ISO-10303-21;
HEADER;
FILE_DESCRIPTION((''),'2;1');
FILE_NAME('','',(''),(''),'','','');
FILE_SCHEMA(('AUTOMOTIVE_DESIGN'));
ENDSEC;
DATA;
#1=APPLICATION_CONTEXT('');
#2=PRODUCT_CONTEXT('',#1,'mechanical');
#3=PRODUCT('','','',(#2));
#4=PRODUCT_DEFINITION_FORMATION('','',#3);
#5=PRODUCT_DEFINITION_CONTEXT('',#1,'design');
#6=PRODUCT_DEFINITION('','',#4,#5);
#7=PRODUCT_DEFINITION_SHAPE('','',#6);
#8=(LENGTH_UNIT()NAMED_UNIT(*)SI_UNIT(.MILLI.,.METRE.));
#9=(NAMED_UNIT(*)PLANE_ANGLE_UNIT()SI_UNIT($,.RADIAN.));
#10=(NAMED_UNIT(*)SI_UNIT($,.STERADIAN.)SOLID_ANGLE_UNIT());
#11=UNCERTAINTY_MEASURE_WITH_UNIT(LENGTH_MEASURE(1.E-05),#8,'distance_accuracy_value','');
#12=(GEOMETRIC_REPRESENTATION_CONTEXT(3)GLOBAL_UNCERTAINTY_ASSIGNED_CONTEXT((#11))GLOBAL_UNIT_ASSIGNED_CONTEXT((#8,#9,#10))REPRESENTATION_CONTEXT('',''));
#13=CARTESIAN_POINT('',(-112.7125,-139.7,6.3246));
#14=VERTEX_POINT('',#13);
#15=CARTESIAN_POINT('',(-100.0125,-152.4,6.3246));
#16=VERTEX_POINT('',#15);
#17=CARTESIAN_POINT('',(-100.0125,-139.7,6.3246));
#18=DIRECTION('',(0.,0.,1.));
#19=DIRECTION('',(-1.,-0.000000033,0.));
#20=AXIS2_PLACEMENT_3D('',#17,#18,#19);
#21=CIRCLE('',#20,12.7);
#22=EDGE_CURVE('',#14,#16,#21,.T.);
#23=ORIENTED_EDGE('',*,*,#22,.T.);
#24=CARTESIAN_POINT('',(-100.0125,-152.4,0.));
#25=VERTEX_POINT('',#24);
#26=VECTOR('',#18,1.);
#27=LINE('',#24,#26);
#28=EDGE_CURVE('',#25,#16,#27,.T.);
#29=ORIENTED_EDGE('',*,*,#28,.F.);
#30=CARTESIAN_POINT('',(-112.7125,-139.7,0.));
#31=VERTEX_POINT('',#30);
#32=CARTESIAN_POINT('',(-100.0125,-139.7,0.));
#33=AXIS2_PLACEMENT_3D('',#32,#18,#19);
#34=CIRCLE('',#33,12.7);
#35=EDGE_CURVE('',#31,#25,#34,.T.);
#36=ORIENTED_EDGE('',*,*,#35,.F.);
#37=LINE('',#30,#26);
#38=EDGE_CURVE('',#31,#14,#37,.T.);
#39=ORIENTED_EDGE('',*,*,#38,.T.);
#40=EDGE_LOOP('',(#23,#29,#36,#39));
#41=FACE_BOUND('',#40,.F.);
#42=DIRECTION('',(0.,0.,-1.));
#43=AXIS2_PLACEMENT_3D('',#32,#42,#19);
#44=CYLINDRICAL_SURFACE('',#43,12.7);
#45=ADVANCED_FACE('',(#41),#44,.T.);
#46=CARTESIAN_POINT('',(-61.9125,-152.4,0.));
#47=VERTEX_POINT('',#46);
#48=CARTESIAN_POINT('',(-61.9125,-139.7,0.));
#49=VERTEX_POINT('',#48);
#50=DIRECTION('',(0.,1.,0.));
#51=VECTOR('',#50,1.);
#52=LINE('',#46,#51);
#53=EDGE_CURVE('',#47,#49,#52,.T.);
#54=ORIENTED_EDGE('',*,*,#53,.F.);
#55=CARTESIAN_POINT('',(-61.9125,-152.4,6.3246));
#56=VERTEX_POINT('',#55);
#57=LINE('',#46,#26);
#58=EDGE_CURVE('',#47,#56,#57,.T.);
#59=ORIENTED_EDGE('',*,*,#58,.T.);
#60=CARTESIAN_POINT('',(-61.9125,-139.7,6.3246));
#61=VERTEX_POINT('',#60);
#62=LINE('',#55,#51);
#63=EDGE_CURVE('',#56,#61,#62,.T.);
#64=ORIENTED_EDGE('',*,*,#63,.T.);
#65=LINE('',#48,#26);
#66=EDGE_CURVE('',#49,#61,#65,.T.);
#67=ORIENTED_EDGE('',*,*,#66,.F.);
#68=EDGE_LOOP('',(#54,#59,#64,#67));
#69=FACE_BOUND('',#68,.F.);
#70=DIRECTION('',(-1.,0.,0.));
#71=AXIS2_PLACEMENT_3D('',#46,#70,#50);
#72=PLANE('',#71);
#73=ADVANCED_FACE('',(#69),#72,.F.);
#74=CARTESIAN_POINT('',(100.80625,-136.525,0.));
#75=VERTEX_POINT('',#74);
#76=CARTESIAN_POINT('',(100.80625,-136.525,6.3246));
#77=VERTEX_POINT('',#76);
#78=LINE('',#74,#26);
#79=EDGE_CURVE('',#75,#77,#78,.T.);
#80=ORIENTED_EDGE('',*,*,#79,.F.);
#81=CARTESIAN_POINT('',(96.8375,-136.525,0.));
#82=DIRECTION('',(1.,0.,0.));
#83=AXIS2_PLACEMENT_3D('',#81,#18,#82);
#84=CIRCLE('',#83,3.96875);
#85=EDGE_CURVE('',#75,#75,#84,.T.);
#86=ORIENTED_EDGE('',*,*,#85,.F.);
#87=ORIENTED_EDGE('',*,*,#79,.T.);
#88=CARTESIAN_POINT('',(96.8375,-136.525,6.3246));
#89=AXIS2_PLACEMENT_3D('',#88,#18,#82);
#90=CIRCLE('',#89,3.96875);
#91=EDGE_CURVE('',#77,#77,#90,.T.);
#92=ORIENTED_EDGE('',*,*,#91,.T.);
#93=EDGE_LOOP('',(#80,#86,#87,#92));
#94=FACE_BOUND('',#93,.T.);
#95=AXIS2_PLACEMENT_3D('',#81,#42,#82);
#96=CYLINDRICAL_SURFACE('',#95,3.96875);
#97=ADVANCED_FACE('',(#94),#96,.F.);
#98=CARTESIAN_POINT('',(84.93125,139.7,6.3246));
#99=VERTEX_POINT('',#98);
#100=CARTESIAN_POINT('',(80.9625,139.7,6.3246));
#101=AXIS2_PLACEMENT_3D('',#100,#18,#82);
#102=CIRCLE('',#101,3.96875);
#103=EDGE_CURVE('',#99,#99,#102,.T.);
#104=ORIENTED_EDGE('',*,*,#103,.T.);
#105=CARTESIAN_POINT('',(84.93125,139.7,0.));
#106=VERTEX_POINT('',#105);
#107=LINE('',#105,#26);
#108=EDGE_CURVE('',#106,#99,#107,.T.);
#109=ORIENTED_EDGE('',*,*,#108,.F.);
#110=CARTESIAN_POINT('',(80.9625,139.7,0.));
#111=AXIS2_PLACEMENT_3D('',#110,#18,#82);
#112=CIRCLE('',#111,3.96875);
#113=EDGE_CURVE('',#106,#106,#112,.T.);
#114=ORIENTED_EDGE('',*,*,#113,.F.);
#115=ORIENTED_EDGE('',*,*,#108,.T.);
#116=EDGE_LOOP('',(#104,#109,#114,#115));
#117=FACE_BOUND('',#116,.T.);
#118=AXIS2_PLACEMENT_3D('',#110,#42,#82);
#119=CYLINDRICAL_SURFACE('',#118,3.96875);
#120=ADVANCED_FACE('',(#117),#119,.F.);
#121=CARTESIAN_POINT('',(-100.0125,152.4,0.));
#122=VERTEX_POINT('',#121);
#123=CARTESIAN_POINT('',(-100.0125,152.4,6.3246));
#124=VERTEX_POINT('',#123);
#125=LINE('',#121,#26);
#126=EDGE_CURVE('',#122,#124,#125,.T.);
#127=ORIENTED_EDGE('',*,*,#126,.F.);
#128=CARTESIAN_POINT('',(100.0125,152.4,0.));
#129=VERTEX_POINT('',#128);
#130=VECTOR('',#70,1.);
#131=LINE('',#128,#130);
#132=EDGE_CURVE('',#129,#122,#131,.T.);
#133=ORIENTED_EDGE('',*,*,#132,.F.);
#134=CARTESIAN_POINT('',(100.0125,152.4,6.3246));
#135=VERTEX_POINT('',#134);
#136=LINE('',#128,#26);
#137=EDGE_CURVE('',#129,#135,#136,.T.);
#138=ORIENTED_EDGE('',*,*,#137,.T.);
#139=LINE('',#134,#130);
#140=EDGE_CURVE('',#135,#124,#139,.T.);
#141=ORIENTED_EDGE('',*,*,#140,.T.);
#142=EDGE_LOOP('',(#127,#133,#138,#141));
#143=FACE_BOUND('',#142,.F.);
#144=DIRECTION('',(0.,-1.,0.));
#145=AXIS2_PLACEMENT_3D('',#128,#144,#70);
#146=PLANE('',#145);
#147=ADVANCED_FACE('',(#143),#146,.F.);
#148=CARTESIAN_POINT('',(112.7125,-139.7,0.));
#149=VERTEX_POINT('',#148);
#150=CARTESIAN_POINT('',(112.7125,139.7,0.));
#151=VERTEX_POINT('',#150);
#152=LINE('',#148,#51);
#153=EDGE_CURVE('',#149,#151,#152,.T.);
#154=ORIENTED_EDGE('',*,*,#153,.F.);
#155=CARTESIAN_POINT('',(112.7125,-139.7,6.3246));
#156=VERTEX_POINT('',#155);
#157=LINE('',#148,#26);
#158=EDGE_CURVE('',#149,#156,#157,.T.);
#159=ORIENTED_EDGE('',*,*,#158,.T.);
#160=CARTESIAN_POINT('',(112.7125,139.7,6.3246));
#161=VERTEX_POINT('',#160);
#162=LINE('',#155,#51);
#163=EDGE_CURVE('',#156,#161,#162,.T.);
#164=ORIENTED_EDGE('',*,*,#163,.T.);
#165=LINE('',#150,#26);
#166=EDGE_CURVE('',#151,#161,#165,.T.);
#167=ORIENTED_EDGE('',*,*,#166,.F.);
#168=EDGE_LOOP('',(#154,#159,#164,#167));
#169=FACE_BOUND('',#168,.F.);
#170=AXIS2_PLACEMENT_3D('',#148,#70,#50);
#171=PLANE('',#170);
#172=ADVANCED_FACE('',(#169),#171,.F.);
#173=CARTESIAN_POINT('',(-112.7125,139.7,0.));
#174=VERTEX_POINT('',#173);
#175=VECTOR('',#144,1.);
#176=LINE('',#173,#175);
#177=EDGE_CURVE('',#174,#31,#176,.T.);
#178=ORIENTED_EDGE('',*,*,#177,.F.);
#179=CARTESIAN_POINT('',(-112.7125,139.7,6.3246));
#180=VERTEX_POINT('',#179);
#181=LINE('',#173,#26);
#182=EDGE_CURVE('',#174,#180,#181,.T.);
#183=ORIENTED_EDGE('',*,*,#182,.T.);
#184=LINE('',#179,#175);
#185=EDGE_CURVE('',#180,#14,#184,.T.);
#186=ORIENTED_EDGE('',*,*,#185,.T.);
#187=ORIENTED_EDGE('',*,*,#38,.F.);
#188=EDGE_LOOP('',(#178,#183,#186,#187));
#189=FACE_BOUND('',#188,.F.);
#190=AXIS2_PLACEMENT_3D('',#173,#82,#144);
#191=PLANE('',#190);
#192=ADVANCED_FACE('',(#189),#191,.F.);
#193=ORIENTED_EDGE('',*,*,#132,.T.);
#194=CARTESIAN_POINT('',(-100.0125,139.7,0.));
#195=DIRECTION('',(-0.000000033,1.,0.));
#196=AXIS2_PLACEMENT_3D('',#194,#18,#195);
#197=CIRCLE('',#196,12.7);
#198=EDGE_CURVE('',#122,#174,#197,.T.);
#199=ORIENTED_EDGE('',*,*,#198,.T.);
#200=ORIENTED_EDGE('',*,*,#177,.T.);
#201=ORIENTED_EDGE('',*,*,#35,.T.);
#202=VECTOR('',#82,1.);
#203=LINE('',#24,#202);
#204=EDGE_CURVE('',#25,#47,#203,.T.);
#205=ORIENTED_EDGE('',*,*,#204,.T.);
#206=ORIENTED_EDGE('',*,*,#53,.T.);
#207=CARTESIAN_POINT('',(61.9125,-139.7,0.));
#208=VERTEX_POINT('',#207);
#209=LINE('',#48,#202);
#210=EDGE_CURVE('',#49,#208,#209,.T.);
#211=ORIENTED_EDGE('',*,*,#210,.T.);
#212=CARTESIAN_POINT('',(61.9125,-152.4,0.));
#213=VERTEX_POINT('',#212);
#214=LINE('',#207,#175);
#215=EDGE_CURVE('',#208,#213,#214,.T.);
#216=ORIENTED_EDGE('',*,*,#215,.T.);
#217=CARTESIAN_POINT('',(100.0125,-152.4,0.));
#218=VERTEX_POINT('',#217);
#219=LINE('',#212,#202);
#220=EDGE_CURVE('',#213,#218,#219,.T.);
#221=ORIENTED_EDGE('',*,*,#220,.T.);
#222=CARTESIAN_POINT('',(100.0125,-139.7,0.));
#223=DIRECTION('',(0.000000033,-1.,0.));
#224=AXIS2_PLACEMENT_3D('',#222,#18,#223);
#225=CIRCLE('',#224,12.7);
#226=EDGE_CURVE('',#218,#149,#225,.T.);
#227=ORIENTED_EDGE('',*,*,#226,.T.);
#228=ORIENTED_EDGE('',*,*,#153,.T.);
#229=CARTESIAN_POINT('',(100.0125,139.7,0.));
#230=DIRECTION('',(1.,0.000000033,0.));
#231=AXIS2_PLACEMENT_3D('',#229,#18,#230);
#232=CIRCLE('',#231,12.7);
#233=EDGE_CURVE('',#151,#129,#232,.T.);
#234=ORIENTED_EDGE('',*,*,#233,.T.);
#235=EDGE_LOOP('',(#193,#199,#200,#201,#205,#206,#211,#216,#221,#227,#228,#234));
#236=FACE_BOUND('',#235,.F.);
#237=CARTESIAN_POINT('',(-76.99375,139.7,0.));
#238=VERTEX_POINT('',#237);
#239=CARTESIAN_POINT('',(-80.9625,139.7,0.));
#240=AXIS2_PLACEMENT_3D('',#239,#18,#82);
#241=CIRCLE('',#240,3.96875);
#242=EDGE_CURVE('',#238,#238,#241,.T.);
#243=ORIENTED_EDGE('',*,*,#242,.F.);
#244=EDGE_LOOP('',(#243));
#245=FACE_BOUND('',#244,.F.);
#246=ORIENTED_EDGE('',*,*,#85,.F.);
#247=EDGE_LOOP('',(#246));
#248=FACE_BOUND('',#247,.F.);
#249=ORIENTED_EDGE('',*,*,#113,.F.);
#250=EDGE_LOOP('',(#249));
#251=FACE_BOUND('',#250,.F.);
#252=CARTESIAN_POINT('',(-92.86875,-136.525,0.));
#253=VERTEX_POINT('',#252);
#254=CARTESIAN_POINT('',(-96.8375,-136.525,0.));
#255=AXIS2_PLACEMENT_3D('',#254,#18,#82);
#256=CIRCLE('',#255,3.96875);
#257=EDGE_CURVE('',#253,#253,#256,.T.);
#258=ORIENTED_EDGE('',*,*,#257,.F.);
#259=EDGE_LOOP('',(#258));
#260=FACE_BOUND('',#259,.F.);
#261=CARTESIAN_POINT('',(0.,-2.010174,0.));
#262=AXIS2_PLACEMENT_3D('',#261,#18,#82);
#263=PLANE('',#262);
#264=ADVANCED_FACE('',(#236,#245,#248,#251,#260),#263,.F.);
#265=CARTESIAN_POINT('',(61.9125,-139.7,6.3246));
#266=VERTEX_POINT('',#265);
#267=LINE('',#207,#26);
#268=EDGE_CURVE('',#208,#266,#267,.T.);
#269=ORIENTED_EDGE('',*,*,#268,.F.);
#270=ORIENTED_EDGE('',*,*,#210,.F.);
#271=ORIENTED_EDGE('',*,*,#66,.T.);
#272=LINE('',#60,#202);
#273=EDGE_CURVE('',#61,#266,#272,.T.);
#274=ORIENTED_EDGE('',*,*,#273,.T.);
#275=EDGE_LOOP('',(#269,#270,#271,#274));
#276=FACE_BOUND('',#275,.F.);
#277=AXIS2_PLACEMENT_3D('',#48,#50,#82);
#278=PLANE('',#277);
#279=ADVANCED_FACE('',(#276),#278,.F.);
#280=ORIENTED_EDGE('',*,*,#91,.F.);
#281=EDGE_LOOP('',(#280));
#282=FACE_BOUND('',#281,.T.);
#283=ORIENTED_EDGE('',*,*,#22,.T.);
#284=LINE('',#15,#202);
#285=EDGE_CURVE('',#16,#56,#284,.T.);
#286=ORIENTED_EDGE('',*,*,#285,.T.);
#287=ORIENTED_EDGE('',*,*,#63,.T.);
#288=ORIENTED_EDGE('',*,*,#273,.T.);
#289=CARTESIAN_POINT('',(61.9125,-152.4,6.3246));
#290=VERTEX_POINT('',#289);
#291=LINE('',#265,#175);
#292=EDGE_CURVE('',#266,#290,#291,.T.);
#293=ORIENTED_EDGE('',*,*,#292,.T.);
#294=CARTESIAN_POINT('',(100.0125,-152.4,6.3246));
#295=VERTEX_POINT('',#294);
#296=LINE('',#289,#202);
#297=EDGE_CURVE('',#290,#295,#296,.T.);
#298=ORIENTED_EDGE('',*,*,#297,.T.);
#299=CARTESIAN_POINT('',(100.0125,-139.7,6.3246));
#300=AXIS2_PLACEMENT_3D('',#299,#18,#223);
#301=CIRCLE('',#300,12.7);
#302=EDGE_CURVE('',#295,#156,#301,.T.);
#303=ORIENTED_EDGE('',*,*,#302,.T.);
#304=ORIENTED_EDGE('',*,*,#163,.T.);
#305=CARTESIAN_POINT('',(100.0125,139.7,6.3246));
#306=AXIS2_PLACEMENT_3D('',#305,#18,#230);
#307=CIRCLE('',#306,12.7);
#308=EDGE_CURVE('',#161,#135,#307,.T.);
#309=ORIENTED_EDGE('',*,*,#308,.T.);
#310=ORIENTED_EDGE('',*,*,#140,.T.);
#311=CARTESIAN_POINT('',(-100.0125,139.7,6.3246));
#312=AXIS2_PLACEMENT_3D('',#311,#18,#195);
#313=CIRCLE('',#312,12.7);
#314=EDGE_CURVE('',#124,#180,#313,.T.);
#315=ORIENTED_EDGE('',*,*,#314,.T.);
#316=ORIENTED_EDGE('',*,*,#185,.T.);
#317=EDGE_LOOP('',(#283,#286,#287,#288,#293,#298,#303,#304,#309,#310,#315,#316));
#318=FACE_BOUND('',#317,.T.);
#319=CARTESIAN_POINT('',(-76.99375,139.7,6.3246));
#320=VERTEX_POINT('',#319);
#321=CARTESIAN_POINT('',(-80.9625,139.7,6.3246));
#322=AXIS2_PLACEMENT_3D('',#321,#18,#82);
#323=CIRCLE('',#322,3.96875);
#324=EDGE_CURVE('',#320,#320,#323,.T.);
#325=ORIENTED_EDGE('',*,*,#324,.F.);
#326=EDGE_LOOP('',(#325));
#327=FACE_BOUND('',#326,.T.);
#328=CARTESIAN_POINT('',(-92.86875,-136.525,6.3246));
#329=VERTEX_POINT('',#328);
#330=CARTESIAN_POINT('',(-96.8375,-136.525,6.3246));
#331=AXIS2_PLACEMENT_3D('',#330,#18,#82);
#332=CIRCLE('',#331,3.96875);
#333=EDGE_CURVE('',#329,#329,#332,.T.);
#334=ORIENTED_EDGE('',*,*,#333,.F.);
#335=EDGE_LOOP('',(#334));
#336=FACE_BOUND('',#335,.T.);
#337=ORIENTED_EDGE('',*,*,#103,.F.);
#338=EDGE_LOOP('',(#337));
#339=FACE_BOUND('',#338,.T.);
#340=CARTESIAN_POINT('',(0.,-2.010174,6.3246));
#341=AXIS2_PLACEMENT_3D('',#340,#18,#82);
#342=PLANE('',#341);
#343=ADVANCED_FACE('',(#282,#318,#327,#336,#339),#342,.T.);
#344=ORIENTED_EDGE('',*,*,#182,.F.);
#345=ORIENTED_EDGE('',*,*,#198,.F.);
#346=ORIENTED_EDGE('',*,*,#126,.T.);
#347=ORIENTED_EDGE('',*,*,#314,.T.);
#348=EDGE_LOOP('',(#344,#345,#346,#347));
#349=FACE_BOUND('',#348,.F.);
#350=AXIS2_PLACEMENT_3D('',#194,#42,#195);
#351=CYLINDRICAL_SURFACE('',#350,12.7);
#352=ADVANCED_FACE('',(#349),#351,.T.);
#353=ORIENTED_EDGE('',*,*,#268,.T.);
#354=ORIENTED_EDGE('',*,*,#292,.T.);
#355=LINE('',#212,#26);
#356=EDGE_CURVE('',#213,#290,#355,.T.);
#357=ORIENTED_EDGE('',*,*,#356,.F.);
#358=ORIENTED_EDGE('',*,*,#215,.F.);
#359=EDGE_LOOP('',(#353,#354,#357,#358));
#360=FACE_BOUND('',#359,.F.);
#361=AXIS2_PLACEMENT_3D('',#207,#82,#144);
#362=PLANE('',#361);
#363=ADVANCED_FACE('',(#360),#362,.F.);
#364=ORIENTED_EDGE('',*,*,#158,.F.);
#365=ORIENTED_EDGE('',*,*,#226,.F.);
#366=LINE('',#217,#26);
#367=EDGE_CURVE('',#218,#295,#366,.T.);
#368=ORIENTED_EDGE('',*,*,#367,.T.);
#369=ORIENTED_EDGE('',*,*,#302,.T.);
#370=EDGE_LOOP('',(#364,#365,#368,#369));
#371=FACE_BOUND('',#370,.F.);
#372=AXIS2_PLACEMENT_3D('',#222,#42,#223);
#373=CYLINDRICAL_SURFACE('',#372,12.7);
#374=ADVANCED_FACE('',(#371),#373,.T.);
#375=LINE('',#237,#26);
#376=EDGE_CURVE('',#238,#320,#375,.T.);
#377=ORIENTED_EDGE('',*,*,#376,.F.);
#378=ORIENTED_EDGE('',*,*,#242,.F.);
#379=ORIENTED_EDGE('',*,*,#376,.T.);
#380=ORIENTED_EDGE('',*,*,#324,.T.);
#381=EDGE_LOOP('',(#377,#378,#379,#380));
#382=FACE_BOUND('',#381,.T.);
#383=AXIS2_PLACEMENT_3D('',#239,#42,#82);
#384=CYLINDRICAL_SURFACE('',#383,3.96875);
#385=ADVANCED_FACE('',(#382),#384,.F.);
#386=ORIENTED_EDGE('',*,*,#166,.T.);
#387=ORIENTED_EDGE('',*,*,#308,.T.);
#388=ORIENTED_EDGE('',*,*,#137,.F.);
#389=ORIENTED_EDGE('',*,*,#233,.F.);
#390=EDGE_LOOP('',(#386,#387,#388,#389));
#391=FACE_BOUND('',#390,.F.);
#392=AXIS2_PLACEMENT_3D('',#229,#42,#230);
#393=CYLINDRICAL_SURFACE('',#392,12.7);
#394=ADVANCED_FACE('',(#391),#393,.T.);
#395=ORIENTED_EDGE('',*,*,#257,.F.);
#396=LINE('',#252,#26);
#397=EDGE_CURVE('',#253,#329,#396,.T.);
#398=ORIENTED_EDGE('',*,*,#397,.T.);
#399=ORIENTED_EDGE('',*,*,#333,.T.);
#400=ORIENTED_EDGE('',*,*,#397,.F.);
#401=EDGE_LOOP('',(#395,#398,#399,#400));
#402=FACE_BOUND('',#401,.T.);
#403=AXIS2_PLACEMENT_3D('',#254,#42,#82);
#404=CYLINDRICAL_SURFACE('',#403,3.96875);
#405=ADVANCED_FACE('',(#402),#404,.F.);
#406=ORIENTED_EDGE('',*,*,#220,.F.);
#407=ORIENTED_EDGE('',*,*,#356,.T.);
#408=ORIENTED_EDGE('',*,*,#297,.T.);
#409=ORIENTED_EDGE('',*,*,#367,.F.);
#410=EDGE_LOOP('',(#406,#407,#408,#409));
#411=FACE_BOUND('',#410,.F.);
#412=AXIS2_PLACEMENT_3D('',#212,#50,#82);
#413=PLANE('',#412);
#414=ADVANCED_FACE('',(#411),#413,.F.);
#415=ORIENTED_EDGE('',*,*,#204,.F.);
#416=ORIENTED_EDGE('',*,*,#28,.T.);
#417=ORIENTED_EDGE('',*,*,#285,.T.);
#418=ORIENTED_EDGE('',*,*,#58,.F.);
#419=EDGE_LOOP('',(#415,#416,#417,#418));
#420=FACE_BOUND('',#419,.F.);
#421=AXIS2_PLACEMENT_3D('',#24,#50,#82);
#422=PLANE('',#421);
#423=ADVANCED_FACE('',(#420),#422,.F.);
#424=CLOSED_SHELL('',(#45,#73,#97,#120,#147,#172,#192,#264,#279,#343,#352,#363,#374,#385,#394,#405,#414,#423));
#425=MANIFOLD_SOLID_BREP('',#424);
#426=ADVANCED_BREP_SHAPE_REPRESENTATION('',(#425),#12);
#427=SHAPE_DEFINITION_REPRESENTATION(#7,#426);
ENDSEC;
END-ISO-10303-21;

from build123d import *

# Parameters (mm, degrees)
F0_R     = 3.96875
F1_DEPTH = 6.3246


with BuildPart() as f1:
    # F0 (on Top) → F1 (new body)
    with BuildSketch(Plane.XY):
        with BuildLine():
            Line((61.9125, -152.4), (100.0125, -152.4))
            ThreePointArc((100.0125, -152.4), (108.992756, -148.680256), (112.7125, -139.7))
            Line((112.7125, -139.7), (112.7125, 139.7))
            ThreePointArc((112.7125, 139.7), (108.992756, 148.680256), (100.0125, 152.4))
            Line((100.0125, 152.4), (-100.0125, 152.4))
            ThreePointArc((-100.0125, 152.4), (-108.992756, 148.680256), (-112.7125, 139.7))
            Line((-112.7125, 139.7), (-112.7125, -139.7))
            ThreePointArc((-112.7125, -139.7), (-108.992756, -148.680256), (-100.0125, -152.4))
            Line((-100.0125, -152.4), (-61.9125, -152.4))
            Line((-61.9125, -152.4), (-61.9125, -139.7))
            Line((-61.9125, -139.7), (61.9125, -139.7))
            Line((61.9125, -139.7), (61.9125, -152.4))
        make_face()
        with Locations((-96.8375, -136.525)):
            Circle(F0_R, mode=Mode.SUBTRACT)
        with Locations((96.8375, -136.525)):
            Circle(F0_R, mode=Mode.SUBTRACT)
        with Locations((-80.9625, 139.7)):
            Circle(F0_R, mode=Mode.SUBTRACT)
        with Locations((80.9625, 139.7)):
            Circle(F0_R, mode=Mode.SUBTRACT)
    extrude(amount=F1_DEPTH)


solid = f1.part
